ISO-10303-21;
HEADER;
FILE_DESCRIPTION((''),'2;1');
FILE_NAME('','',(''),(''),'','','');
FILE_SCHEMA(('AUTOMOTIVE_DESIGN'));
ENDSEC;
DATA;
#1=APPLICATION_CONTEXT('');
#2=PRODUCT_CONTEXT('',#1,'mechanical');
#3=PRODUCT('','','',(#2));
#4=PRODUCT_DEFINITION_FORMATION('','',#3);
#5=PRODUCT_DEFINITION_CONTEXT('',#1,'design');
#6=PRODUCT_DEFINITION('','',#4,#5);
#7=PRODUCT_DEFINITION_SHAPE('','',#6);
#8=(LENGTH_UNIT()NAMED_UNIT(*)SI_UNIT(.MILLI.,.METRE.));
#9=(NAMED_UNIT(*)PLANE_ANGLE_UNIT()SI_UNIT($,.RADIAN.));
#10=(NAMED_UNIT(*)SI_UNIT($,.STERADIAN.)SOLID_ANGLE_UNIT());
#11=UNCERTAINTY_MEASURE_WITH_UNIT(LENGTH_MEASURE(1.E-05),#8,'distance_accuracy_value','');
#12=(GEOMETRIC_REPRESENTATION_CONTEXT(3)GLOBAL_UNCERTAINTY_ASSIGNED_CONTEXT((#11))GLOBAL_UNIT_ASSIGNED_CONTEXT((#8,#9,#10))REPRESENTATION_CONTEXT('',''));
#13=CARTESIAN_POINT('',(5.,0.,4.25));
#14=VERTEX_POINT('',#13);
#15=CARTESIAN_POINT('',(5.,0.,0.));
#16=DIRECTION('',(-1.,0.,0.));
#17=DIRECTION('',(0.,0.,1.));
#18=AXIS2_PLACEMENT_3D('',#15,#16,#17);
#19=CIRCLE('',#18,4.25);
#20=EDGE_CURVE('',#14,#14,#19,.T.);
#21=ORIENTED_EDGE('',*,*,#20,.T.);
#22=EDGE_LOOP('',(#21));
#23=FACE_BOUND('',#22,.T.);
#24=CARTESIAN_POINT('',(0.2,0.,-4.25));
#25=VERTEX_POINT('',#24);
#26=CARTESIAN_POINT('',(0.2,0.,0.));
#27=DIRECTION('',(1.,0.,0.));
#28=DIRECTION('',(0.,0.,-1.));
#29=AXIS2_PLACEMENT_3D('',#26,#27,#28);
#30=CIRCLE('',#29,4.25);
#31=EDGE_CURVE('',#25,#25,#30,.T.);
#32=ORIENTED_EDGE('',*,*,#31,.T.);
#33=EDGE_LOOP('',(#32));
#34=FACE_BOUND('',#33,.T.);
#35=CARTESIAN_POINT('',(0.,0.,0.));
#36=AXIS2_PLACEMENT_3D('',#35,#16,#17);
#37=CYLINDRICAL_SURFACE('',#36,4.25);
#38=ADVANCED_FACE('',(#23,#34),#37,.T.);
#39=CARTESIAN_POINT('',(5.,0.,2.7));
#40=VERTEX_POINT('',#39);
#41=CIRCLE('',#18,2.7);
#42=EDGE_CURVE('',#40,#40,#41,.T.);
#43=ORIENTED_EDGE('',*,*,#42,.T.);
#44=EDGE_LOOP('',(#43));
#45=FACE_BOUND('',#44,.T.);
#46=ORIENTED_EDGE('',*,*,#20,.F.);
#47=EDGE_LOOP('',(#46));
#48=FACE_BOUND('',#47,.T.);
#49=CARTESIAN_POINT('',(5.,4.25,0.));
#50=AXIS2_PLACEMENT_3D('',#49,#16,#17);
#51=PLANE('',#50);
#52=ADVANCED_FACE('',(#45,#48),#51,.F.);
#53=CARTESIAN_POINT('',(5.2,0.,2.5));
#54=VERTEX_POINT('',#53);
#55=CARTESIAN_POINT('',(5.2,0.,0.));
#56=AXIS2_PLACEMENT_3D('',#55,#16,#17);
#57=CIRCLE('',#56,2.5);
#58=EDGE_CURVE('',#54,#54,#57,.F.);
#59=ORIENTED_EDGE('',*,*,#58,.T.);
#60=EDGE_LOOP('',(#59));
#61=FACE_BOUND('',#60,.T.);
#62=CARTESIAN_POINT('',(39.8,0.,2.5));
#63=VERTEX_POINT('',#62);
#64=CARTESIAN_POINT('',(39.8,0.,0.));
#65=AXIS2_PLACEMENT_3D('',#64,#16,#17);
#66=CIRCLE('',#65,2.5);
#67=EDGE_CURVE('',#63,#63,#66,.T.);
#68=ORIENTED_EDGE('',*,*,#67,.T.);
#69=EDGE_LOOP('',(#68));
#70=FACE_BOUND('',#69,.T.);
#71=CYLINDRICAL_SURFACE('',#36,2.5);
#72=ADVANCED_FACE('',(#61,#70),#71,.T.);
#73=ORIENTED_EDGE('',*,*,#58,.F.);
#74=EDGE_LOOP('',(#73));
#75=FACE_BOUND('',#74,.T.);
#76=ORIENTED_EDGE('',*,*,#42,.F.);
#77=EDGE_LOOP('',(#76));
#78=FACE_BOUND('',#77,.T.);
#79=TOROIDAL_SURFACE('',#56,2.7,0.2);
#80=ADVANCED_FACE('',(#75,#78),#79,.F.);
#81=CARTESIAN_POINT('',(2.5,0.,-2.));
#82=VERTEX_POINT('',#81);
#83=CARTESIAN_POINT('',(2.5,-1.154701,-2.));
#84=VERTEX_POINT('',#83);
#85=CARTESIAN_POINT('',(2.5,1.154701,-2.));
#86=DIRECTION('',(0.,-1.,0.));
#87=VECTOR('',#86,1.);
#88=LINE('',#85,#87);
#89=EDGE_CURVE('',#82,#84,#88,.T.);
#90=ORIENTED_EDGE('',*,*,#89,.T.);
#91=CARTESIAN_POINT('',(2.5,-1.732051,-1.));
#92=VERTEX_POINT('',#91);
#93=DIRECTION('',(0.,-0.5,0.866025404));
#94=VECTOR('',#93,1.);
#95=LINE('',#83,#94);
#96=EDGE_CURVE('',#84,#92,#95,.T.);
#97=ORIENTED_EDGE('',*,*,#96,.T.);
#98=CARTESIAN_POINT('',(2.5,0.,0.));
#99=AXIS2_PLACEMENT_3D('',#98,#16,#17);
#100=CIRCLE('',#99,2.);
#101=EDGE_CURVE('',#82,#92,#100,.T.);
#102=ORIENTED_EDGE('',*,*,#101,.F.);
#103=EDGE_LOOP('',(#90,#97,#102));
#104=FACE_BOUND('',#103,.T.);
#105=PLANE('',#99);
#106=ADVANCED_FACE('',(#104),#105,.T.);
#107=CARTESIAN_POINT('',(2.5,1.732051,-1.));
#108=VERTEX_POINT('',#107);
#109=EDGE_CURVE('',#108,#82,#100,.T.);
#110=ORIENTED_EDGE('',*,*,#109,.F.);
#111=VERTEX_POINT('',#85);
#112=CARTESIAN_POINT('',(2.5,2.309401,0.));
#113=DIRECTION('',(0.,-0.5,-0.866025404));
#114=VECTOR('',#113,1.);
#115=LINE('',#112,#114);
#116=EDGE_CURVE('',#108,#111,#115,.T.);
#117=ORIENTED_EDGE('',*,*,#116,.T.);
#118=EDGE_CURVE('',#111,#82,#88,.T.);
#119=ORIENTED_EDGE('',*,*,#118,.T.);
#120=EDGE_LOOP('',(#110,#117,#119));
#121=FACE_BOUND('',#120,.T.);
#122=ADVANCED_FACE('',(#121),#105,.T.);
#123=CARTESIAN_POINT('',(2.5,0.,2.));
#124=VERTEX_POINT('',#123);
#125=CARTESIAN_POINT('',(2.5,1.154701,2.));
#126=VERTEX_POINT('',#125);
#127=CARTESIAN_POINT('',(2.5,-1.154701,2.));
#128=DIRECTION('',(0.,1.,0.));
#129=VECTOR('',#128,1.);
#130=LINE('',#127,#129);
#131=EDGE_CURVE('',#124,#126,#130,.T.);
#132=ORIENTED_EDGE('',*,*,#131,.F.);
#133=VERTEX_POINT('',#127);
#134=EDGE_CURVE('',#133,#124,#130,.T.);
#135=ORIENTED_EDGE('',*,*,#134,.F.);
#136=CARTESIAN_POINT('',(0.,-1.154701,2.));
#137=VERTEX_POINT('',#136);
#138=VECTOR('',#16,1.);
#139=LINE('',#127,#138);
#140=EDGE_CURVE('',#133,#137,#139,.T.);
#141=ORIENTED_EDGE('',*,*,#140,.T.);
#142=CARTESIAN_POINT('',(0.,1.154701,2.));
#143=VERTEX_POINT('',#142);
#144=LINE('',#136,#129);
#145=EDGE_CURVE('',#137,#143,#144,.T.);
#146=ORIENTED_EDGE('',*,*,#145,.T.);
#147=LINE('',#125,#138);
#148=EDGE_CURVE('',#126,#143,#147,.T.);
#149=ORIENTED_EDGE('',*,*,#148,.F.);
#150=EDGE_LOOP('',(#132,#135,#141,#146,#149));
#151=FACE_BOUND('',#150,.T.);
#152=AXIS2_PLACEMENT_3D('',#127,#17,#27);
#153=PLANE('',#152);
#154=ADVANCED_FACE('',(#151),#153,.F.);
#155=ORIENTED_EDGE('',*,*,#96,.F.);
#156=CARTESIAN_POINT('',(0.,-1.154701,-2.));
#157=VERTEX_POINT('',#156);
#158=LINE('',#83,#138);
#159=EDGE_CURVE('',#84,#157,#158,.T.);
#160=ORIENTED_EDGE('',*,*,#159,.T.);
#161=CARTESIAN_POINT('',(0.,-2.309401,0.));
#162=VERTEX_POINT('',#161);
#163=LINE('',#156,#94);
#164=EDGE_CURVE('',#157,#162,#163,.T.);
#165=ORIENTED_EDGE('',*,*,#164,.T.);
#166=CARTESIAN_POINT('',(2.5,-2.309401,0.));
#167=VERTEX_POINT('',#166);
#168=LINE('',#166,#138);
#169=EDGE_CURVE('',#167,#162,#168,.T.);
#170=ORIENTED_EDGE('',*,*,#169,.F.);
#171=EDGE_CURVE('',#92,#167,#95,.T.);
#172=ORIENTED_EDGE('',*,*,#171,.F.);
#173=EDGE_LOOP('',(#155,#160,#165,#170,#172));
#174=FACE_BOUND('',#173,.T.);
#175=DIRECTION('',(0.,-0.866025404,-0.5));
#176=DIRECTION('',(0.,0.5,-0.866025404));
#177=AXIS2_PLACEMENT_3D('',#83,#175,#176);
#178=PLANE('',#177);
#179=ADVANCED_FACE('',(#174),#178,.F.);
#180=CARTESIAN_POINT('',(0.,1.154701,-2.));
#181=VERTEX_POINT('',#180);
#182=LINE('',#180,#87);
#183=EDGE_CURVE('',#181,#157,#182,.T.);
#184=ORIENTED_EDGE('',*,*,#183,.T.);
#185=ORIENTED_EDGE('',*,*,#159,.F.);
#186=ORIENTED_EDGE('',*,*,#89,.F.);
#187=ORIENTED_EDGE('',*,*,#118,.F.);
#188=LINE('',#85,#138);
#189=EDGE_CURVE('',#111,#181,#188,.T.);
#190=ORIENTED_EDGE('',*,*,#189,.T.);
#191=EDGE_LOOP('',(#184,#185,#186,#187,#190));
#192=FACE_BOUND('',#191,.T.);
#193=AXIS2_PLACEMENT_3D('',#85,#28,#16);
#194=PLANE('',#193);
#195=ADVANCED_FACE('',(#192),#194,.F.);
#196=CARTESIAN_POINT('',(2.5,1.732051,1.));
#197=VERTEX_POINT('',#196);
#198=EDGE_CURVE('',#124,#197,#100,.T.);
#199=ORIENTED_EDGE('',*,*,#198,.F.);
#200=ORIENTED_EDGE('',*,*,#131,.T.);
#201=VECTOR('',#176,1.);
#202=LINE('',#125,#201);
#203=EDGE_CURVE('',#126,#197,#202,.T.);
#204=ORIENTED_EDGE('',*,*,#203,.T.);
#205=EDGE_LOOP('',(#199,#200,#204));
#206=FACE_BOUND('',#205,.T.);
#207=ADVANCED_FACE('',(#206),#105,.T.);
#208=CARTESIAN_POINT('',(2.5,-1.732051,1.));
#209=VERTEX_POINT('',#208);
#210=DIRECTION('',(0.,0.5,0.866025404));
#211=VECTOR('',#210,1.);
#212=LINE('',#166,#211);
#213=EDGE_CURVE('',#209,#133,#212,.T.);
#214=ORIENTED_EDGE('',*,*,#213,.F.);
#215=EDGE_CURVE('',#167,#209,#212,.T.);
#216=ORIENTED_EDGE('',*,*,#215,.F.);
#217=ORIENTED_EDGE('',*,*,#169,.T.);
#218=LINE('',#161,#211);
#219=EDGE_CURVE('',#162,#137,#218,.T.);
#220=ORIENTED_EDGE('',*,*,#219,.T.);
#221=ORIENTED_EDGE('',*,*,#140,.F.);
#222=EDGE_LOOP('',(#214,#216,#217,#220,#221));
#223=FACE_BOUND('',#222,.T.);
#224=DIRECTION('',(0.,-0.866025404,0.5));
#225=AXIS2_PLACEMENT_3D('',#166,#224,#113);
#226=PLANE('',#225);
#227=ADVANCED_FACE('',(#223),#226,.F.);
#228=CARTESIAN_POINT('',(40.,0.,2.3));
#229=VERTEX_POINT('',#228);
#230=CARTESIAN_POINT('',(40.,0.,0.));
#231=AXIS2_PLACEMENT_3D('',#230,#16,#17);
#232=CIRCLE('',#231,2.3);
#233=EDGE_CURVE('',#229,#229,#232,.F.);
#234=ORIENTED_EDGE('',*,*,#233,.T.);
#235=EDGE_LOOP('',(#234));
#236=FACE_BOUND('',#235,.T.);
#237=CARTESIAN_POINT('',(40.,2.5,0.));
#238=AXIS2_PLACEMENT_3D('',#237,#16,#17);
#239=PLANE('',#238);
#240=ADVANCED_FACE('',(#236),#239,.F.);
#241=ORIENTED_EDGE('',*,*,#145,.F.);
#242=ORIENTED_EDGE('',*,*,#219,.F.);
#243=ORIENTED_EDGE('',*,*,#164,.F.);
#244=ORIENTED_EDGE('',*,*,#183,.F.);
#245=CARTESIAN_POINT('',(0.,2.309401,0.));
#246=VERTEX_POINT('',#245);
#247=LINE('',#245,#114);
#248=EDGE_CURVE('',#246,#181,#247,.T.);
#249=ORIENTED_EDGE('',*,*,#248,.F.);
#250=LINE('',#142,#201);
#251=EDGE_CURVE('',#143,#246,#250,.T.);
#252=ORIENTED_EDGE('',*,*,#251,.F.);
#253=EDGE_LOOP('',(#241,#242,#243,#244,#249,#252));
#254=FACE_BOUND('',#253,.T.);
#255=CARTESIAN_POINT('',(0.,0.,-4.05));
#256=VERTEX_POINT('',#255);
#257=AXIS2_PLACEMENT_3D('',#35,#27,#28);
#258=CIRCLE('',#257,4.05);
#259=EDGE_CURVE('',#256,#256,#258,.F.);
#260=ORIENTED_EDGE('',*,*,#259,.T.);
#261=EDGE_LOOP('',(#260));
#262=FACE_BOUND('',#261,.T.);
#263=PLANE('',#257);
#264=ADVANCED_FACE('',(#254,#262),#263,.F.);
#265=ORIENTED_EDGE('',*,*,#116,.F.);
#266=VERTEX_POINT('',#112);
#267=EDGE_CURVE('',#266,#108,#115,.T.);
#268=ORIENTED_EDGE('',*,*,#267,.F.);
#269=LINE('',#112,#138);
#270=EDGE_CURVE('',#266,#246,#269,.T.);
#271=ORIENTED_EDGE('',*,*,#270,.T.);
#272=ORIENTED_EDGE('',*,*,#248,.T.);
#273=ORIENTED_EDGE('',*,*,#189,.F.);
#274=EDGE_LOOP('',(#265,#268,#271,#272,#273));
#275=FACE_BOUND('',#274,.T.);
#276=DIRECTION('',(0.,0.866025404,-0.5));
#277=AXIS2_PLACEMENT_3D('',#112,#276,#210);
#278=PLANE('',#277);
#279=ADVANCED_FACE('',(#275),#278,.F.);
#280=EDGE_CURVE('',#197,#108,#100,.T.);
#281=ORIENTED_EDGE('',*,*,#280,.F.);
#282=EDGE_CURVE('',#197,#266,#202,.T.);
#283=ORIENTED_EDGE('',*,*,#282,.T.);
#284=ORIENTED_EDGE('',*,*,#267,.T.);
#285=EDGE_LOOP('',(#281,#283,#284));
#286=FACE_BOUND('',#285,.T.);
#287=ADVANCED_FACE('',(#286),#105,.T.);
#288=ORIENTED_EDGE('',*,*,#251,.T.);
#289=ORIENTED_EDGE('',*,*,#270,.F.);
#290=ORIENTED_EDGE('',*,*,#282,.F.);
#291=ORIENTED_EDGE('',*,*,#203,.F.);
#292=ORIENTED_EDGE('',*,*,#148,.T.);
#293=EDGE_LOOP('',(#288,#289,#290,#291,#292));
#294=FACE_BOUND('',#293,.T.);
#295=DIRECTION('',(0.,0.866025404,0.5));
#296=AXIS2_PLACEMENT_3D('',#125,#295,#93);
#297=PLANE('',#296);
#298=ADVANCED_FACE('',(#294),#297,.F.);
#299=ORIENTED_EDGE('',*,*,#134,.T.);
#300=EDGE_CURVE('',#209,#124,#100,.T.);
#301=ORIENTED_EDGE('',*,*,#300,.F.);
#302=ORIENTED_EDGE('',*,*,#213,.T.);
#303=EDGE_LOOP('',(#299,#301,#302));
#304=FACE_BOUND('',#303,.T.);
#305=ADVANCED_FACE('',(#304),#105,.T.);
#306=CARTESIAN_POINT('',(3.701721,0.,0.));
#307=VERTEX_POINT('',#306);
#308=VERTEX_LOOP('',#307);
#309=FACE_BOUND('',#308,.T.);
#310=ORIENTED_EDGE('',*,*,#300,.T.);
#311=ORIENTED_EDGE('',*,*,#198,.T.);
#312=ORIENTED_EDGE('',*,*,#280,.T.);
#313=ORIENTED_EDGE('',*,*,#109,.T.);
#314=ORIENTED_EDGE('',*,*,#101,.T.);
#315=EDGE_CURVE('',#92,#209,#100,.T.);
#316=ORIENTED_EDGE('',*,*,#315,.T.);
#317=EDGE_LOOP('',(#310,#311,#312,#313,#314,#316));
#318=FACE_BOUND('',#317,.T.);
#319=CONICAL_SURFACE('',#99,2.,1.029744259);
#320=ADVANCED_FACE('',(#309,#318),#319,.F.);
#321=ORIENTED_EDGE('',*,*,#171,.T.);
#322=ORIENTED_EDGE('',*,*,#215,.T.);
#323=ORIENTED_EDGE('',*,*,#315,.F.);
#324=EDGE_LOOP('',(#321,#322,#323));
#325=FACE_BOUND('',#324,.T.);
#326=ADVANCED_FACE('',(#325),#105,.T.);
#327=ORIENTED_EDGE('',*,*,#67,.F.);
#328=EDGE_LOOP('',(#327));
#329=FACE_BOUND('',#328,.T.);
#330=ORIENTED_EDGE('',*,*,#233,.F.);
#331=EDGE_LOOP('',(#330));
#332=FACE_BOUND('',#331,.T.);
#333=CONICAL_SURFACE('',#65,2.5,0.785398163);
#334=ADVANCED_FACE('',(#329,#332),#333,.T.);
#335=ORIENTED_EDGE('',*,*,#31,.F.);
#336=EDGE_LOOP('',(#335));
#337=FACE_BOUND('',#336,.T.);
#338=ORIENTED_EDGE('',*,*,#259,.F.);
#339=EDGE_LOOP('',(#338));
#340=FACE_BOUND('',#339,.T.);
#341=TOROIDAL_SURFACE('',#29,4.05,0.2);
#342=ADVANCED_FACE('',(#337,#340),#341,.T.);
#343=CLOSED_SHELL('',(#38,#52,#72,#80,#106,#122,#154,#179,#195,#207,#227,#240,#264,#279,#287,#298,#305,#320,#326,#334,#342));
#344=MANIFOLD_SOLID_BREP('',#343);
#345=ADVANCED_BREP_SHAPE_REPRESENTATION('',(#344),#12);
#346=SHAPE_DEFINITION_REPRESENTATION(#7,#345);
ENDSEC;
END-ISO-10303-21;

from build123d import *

# Parameters (mm, degrees)
CHAMFER_1_SIZE            = 0.2
FILLET_1_R                = 0.2
HOLE_WIZARD_4_0_4_1_D     = 4
HOLE_WIZARD_4_0_4_1_DEPTH = 2.5
HOLE_WIZARD_4_0_4_1_TIP   = 1.201721238
CUT_EXTRUDE_1_DEPTH       = 2.5
FILLET_2_R                = 0.2


with BuildPart() as part:
    # 草图1 → 旋转1 (revolve)
    with BuildSketch(Plane.XY):
        Polygon((0, 0), (0, 4.25), (5, 4.25), (5, 2.5), (40, 2.5), (40, 0), align=None)
    revolve(axis=Axis((0, 0, 0), (1, 0, 0)))

    # 倒角1
    chamfer_1_edges = [part.edges().sort_by_distance(p)[0] for p in [
        (40, -2.5, 0),
    ]]
    chamfer(chamfer_1_edges, length=CHAMFER_1_SIZE)

    # 圆角1
    fillet_1_edges = [part.edges().sort_by_distance(p)[0] for p in [
        (0, -4.25, 0),
    ]]
    fillet(fillet_1_edges, radius=FILLET_1_R)

    # Ø4.0 (4) 直径孔1
    with Locations(Plane.ZY):
        with Locations((0, 0)):
            Hole(HOLE_WIZARD_4_0_4_1_D / 2, depth=HOLE_WIZARD_4_0_4_1_DEPTH)
            with Locations((0, 0, -(HOLE_WIZARD_4_0_4_1_DEPTH + HOLE_WIZARD_4_0_4_1_TIP / 2))):  # 118° drill point
                Cone(0, HOLE_WIZARD_4_0_4_1_D / 2, HOLE_WIZARD_4_0_4_1_TIP, mode=Mode.SUBTRACT)

    # 草图2 → 切除-拉伸1 (cut)
    with BuildSketch(Plane.ZY):
        Polygon((0, -2.309401077), (2, -1.154700538), (2, 1.154700538), (0, 2.309401077), (-2, 1.154700538), (-2, -1.154700538), align=None)
    extrude(amount=-CUT_EXTRUDE_1_DEPTH, mode=Mode.SUBTRACT)

    # 圆角2
    fillet_2_edges = [part.edges().sort_by_distance(p)[0] for p in [
        (5, -2.5, 0),
    ]]
    fillet(fillet_2_edges, radius=FILLET_2_R)


solid = part.part
